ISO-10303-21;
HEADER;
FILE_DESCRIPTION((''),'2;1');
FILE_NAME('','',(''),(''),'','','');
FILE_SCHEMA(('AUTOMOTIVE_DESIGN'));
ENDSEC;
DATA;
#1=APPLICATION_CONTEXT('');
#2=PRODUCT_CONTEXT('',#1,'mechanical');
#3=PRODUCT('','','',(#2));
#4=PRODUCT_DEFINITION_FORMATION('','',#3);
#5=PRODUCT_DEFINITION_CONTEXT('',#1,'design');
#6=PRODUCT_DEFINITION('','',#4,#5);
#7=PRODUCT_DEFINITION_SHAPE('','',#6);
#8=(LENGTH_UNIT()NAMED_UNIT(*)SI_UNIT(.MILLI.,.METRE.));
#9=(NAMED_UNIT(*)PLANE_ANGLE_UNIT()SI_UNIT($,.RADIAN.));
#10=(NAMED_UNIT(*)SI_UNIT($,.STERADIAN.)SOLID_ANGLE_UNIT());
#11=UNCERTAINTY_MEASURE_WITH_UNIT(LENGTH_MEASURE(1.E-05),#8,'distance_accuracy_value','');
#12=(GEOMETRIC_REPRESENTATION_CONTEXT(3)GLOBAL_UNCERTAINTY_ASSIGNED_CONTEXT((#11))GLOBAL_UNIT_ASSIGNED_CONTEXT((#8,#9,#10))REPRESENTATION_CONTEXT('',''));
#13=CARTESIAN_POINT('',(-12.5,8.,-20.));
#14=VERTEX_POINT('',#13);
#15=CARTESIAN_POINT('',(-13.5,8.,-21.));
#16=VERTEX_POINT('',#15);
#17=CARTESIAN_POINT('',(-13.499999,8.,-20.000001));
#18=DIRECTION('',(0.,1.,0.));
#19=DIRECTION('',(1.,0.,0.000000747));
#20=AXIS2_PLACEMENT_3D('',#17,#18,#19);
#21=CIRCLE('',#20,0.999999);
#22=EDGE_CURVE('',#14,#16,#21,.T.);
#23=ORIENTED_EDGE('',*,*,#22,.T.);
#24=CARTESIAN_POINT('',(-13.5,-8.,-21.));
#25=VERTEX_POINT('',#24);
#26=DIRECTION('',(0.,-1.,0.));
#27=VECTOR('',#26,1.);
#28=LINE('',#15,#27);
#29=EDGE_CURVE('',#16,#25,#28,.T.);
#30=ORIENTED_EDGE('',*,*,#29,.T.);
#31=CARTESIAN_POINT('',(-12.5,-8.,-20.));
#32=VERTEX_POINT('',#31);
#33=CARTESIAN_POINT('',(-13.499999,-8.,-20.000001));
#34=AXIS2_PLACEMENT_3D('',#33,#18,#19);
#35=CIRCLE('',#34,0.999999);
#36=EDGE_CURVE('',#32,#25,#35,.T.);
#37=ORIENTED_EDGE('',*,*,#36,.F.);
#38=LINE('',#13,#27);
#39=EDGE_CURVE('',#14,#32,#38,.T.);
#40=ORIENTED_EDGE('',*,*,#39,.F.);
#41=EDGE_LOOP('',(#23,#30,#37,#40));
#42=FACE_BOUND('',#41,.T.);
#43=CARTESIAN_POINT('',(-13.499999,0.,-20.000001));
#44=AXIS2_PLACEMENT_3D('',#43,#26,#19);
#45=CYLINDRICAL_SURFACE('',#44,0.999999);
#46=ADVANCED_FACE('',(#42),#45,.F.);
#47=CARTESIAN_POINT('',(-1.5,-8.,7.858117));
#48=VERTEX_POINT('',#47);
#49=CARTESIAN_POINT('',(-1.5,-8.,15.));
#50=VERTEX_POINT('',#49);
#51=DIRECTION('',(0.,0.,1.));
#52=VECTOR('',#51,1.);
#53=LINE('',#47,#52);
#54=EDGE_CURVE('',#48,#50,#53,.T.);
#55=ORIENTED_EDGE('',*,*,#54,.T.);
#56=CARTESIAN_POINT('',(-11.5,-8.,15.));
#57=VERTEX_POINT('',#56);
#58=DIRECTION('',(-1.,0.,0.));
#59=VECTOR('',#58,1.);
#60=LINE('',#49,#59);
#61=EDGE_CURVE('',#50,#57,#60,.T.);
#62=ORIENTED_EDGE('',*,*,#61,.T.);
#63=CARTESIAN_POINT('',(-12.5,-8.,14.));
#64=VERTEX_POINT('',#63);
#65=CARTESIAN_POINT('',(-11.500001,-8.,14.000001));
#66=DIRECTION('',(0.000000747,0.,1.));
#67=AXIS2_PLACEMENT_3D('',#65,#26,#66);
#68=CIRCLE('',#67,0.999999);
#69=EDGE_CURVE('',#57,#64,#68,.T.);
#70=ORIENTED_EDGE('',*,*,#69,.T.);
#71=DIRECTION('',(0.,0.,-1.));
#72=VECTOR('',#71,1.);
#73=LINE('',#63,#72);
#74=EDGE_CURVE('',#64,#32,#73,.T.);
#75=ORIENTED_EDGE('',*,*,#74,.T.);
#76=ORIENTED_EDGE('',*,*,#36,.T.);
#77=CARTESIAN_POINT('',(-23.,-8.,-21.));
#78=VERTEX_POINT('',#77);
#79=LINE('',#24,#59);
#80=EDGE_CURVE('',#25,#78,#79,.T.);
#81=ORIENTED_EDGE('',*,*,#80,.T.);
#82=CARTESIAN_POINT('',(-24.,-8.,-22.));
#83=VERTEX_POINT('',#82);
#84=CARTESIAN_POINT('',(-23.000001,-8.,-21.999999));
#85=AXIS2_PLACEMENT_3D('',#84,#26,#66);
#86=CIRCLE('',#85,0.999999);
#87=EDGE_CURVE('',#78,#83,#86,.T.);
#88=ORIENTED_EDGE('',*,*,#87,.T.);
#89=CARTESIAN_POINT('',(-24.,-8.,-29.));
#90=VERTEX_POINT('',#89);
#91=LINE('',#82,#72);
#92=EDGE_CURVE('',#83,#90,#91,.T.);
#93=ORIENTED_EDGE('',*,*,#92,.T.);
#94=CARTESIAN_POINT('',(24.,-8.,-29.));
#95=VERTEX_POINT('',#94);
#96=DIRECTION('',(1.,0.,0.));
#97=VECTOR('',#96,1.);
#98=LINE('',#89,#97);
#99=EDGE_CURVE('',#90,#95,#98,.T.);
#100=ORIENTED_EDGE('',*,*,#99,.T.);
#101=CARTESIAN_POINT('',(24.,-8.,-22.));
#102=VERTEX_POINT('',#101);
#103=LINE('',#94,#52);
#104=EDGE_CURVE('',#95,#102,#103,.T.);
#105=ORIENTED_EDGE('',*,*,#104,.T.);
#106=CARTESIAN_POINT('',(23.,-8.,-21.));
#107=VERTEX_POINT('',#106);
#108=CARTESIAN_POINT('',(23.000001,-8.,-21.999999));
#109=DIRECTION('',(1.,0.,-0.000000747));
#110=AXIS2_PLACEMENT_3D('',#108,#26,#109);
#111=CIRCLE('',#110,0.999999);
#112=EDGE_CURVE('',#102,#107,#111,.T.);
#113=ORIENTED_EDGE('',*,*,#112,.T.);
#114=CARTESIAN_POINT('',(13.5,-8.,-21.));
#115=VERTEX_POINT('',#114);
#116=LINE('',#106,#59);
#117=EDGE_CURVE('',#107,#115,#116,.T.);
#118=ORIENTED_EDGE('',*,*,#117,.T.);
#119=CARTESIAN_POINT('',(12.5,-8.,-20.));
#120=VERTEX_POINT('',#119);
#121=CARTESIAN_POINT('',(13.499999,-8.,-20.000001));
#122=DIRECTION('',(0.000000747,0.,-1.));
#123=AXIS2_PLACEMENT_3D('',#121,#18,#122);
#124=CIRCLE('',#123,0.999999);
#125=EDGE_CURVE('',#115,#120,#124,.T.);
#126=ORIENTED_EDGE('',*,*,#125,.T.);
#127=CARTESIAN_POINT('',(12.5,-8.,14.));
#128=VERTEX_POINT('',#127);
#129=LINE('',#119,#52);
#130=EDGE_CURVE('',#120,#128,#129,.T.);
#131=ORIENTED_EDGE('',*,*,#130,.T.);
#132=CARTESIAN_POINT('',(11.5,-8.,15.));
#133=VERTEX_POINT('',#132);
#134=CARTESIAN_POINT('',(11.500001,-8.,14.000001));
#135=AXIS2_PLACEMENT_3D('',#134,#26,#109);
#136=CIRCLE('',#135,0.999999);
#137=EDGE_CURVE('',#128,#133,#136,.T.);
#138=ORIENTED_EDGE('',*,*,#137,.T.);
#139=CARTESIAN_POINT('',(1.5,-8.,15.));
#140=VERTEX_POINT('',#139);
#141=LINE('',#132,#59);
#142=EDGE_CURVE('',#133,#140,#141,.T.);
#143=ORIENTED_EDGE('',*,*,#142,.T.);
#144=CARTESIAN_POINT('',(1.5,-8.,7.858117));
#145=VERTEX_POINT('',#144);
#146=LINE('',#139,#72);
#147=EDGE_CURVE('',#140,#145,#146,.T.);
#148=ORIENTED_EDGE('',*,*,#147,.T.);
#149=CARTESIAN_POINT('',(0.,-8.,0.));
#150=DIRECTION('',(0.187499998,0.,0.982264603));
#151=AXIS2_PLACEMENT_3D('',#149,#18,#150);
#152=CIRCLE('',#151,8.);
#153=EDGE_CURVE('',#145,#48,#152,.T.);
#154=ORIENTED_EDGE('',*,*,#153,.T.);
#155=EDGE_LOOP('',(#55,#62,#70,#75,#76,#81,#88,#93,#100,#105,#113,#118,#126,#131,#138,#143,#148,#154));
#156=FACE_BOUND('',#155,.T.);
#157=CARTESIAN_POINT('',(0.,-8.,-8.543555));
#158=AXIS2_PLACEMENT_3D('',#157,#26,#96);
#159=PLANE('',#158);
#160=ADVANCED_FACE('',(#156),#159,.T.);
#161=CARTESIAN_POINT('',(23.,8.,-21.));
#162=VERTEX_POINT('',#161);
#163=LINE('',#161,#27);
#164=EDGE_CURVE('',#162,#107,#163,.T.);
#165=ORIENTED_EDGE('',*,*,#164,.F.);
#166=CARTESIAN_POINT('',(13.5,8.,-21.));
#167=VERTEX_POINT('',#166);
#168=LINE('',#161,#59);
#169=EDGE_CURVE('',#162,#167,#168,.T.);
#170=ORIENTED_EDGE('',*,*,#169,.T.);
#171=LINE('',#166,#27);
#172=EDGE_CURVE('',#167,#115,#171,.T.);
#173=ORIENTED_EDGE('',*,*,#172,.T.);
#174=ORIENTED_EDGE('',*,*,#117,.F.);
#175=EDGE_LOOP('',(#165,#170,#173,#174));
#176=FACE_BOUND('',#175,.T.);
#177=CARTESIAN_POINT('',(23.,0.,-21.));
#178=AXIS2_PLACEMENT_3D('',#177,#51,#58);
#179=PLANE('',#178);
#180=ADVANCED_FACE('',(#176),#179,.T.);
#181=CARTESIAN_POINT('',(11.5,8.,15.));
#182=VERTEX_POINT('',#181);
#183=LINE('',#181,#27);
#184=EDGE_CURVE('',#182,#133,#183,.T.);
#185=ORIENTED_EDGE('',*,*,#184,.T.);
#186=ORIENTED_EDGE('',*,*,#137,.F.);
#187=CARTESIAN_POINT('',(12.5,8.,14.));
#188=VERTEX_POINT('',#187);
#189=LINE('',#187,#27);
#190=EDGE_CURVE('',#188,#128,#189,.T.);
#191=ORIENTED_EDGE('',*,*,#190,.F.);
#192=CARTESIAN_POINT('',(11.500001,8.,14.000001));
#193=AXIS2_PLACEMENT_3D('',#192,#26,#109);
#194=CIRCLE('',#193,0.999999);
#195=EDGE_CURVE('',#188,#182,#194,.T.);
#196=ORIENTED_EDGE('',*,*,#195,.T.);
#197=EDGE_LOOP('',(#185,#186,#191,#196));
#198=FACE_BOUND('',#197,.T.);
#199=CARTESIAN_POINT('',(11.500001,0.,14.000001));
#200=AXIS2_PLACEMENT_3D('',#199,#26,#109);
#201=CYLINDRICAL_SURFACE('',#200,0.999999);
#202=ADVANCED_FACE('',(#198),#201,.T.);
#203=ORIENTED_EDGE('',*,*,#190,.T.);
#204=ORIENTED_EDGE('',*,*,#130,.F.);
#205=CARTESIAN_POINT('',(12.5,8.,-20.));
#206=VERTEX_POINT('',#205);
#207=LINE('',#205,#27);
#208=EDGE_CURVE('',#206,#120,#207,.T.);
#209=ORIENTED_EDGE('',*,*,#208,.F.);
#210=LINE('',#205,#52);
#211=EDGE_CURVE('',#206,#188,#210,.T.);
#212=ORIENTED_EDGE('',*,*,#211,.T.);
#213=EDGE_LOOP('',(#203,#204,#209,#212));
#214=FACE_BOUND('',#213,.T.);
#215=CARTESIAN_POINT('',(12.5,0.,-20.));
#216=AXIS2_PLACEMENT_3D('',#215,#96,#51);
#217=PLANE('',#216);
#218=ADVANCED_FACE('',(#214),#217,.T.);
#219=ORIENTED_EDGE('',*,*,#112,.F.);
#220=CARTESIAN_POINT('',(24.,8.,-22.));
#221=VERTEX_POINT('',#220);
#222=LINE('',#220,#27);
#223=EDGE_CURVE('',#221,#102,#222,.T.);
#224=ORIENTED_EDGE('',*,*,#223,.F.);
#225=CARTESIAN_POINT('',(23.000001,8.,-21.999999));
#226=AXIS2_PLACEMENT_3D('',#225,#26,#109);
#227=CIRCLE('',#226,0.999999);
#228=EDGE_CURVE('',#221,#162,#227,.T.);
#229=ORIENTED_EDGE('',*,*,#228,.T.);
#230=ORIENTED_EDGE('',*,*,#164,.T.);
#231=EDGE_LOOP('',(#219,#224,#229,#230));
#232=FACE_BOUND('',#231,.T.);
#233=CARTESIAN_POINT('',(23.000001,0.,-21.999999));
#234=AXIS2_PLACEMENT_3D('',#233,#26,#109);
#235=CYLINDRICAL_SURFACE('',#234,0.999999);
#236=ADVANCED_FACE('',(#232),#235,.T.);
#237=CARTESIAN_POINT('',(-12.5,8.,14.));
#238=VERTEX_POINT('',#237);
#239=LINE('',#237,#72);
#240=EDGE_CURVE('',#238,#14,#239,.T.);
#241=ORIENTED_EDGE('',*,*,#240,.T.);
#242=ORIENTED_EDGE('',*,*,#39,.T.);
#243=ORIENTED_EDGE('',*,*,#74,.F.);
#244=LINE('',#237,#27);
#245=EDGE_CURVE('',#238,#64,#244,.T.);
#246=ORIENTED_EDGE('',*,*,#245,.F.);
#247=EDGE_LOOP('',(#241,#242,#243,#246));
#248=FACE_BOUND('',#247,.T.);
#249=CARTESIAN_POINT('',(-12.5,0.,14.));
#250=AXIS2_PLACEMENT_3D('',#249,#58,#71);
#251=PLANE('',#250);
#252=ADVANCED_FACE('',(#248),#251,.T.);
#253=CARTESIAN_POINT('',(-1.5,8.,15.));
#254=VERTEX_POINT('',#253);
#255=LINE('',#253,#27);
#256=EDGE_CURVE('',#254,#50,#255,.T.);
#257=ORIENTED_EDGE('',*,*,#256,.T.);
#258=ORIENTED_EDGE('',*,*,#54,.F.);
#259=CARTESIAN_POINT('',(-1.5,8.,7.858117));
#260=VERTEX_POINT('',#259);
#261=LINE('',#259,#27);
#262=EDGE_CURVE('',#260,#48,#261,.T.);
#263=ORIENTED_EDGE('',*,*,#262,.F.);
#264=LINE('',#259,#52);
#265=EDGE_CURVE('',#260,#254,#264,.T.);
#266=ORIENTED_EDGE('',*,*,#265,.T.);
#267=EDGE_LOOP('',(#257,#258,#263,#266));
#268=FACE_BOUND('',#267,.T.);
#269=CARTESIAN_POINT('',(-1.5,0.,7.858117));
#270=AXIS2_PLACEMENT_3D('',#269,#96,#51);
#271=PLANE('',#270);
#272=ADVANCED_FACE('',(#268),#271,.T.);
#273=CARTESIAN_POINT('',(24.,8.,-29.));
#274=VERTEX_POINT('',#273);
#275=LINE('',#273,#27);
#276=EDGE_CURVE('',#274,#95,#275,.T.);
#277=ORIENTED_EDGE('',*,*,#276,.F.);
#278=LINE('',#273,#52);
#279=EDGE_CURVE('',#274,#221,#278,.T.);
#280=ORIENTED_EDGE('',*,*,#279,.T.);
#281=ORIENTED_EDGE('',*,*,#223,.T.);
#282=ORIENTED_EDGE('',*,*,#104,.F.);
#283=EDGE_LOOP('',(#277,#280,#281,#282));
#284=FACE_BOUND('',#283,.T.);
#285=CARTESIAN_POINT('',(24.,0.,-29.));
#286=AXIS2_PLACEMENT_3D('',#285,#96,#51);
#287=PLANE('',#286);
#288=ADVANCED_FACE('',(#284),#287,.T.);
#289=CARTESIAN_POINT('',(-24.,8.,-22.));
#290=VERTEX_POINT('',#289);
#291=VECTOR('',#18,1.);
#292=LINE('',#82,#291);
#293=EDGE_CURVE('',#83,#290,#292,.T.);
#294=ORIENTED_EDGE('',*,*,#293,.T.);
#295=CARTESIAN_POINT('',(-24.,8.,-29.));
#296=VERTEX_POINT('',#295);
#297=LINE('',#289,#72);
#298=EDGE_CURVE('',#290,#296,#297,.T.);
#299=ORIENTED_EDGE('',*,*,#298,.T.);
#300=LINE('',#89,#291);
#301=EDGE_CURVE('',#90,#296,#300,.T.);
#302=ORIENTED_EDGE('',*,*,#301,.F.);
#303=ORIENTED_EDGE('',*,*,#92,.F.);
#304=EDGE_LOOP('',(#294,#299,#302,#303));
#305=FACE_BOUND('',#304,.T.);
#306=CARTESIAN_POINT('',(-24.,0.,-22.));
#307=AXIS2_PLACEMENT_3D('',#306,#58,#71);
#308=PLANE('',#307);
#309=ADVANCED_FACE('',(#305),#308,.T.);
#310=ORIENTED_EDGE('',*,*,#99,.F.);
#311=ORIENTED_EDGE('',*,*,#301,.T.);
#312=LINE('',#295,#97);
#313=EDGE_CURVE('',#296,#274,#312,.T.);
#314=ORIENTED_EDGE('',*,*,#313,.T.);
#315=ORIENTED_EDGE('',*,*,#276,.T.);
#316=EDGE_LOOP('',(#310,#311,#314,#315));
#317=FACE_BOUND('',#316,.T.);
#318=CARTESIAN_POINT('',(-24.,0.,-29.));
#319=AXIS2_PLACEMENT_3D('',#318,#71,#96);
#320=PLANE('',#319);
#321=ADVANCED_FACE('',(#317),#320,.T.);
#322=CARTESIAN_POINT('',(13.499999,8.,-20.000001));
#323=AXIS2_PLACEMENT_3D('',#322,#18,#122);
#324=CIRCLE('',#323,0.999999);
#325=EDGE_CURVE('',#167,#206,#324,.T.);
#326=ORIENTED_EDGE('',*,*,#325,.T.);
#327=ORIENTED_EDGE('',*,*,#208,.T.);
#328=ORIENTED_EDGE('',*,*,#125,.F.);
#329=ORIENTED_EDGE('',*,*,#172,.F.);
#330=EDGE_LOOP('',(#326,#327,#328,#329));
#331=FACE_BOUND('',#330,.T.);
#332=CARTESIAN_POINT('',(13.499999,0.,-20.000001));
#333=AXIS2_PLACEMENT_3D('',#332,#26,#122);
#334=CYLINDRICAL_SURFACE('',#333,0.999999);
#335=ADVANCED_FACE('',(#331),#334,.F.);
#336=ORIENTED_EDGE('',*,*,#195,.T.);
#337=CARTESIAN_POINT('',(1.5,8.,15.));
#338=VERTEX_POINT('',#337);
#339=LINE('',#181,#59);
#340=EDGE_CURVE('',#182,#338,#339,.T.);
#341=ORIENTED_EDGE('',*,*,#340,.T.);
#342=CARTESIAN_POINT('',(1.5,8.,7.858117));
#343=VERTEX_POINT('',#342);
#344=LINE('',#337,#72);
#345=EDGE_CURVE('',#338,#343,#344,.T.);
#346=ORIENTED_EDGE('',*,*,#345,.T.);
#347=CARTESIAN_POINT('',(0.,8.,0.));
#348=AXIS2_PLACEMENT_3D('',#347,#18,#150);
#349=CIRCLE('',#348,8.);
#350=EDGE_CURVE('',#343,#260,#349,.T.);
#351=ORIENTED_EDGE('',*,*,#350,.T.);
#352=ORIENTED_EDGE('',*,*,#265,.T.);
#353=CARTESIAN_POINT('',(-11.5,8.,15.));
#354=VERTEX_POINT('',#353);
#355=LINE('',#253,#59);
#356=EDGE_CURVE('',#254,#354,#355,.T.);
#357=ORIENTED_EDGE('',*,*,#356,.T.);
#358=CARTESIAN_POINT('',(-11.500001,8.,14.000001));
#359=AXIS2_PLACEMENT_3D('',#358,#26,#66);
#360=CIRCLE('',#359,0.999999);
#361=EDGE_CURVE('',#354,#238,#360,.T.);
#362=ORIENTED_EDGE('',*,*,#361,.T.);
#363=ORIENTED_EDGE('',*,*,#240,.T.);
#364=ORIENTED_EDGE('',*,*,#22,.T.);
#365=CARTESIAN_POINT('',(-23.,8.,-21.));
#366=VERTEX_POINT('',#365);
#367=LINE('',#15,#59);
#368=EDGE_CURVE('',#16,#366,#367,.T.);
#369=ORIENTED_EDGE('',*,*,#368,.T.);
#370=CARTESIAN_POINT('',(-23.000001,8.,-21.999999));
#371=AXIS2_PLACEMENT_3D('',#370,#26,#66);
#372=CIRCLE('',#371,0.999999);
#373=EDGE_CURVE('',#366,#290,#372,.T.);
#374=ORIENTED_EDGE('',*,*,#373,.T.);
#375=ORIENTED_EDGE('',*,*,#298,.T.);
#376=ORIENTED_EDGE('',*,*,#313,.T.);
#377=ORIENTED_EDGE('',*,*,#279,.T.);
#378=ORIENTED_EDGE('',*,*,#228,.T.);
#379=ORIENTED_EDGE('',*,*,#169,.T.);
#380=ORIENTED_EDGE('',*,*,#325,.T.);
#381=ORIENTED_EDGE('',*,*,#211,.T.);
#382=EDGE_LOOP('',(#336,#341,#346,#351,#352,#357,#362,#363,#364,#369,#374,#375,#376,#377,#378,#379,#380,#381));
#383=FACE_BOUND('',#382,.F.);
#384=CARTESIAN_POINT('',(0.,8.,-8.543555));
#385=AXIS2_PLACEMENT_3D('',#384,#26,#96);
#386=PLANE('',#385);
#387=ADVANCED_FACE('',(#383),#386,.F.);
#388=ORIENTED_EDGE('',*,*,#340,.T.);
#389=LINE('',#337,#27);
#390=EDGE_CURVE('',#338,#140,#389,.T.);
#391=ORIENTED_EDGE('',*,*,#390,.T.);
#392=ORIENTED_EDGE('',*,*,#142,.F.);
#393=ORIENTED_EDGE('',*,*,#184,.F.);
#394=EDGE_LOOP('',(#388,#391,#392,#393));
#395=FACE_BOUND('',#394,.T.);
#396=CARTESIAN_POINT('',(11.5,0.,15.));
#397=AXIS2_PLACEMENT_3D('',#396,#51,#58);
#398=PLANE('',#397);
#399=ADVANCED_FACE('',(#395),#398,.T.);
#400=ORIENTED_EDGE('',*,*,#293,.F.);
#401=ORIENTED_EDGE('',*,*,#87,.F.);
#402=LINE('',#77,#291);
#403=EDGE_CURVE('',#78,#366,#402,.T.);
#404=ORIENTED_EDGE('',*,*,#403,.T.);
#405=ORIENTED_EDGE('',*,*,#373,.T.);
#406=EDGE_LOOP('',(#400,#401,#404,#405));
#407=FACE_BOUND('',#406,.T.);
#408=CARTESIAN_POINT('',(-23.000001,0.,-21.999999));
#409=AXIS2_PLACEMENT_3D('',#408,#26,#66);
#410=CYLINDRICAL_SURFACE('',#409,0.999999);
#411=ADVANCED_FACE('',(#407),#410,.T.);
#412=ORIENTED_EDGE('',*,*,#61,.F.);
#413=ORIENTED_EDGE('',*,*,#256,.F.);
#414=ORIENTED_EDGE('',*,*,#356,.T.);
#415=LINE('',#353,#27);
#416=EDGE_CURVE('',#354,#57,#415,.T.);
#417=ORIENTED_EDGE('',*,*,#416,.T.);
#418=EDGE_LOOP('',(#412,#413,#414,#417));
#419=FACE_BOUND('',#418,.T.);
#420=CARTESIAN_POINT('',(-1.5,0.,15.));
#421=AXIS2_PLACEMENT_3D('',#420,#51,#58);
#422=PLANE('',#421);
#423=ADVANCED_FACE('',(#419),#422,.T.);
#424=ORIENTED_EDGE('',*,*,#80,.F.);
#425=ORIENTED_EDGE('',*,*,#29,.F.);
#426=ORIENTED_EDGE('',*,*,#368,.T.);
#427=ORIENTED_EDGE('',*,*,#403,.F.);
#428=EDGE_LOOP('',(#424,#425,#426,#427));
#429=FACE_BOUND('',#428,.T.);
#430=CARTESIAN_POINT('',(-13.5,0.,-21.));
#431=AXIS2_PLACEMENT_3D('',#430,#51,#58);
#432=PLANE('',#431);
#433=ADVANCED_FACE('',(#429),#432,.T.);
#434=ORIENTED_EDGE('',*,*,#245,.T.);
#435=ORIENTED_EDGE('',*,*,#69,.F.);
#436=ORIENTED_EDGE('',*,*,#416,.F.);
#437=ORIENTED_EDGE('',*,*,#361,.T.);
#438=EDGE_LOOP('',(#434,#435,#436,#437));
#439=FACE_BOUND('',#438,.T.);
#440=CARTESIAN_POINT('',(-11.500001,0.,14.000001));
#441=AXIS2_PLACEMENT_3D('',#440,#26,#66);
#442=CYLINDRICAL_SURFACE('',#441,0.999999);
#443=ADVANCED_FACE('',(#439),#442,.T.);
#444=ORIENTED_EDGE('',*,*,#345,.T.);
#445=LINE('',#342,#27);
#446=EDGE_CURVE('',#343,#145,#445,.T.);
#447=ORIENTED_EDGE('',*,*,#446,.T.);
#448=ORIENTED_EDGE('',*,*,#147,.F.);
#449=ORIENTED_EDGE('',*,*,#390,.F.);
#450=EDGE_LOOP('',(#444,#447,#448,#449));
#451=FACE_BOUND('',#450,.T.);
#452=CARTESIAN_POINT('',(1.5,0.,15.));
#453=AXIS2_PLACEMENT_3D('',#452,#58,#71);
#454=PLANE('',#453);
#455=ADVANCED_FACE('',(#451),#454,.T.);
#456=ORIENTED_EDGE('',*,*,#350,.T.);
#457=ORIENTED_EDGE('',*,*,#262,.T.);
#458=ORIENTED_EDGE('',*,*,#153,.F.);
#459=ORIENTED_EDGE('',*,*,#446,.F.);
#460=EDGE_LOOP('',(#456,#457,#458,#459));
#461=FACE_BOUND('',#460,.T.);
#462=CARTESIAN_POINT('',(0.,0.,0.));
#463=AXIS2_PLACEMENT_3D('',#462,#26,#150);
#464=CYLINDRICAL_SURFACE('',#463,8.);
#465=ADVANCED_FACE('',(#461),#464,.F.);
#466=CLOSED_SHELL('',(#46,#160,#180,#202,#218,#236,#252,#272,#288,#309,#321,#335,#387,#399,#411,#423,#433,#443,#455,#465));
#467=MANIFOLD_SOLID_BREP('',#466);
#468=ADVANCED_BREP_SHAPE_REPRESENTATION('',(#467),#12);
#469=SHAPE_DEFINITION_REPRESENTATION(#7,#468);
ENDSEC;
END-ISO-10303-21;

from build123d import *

# Parameters (mm, degrees)
F1_DEPTH = 8


with BuildPart() as f1:
    # F0 (on Front) → F1 (new body, symmetric)
    with BuildSketch(Plane.XZ):
        with BuildLine():
            Line((-24, -29), (24, -29))
            Line((24, -29), (24, -22))
            ThreePointArc((24, -22), (23.707107, -21.292893), (23, -21))
            Line((23, -21), (13.5, -21))
            ThreePointArc((13.5, -21), (12.792893, -20.707107), (12.5, -20))
            Line((12.5, -20), (12.5, 14))
            ThreePointArc((12.5, 14), (12.207107, 14.707107), (11.5, 15))
            Line((11.5, 15), (1.5, 15))
            Line((1.5, 15), (1.5, 7.858117))
            ThreePointArc((1.5, 7.858117), (0, -8), (-1.5, 7.858117))
            Line((-1.5, 7.858117), (-1.5, 15))
            Line((-1.5, 15), (-11.5, 15))
            ThreePointArc((-11.5, 15), (-12.207107, 14.707107), (-12.5, 14))
            Line((-12.5, 14), (-12.5, -20))
            ThreePointArc((-12.5, -20), (-12.792893, -20.707107), (-13.5, -21))
            Line((-13.5, -21), (-23, -21))
            ThreePointArc((-23, -21), (-23.707107, -21.292893), (-24, -22))
            Line((-24, -22), (-24, -29))
        make_face()
    extrude(amount=F1_DEPTH, both=True)


solid = f1.part
